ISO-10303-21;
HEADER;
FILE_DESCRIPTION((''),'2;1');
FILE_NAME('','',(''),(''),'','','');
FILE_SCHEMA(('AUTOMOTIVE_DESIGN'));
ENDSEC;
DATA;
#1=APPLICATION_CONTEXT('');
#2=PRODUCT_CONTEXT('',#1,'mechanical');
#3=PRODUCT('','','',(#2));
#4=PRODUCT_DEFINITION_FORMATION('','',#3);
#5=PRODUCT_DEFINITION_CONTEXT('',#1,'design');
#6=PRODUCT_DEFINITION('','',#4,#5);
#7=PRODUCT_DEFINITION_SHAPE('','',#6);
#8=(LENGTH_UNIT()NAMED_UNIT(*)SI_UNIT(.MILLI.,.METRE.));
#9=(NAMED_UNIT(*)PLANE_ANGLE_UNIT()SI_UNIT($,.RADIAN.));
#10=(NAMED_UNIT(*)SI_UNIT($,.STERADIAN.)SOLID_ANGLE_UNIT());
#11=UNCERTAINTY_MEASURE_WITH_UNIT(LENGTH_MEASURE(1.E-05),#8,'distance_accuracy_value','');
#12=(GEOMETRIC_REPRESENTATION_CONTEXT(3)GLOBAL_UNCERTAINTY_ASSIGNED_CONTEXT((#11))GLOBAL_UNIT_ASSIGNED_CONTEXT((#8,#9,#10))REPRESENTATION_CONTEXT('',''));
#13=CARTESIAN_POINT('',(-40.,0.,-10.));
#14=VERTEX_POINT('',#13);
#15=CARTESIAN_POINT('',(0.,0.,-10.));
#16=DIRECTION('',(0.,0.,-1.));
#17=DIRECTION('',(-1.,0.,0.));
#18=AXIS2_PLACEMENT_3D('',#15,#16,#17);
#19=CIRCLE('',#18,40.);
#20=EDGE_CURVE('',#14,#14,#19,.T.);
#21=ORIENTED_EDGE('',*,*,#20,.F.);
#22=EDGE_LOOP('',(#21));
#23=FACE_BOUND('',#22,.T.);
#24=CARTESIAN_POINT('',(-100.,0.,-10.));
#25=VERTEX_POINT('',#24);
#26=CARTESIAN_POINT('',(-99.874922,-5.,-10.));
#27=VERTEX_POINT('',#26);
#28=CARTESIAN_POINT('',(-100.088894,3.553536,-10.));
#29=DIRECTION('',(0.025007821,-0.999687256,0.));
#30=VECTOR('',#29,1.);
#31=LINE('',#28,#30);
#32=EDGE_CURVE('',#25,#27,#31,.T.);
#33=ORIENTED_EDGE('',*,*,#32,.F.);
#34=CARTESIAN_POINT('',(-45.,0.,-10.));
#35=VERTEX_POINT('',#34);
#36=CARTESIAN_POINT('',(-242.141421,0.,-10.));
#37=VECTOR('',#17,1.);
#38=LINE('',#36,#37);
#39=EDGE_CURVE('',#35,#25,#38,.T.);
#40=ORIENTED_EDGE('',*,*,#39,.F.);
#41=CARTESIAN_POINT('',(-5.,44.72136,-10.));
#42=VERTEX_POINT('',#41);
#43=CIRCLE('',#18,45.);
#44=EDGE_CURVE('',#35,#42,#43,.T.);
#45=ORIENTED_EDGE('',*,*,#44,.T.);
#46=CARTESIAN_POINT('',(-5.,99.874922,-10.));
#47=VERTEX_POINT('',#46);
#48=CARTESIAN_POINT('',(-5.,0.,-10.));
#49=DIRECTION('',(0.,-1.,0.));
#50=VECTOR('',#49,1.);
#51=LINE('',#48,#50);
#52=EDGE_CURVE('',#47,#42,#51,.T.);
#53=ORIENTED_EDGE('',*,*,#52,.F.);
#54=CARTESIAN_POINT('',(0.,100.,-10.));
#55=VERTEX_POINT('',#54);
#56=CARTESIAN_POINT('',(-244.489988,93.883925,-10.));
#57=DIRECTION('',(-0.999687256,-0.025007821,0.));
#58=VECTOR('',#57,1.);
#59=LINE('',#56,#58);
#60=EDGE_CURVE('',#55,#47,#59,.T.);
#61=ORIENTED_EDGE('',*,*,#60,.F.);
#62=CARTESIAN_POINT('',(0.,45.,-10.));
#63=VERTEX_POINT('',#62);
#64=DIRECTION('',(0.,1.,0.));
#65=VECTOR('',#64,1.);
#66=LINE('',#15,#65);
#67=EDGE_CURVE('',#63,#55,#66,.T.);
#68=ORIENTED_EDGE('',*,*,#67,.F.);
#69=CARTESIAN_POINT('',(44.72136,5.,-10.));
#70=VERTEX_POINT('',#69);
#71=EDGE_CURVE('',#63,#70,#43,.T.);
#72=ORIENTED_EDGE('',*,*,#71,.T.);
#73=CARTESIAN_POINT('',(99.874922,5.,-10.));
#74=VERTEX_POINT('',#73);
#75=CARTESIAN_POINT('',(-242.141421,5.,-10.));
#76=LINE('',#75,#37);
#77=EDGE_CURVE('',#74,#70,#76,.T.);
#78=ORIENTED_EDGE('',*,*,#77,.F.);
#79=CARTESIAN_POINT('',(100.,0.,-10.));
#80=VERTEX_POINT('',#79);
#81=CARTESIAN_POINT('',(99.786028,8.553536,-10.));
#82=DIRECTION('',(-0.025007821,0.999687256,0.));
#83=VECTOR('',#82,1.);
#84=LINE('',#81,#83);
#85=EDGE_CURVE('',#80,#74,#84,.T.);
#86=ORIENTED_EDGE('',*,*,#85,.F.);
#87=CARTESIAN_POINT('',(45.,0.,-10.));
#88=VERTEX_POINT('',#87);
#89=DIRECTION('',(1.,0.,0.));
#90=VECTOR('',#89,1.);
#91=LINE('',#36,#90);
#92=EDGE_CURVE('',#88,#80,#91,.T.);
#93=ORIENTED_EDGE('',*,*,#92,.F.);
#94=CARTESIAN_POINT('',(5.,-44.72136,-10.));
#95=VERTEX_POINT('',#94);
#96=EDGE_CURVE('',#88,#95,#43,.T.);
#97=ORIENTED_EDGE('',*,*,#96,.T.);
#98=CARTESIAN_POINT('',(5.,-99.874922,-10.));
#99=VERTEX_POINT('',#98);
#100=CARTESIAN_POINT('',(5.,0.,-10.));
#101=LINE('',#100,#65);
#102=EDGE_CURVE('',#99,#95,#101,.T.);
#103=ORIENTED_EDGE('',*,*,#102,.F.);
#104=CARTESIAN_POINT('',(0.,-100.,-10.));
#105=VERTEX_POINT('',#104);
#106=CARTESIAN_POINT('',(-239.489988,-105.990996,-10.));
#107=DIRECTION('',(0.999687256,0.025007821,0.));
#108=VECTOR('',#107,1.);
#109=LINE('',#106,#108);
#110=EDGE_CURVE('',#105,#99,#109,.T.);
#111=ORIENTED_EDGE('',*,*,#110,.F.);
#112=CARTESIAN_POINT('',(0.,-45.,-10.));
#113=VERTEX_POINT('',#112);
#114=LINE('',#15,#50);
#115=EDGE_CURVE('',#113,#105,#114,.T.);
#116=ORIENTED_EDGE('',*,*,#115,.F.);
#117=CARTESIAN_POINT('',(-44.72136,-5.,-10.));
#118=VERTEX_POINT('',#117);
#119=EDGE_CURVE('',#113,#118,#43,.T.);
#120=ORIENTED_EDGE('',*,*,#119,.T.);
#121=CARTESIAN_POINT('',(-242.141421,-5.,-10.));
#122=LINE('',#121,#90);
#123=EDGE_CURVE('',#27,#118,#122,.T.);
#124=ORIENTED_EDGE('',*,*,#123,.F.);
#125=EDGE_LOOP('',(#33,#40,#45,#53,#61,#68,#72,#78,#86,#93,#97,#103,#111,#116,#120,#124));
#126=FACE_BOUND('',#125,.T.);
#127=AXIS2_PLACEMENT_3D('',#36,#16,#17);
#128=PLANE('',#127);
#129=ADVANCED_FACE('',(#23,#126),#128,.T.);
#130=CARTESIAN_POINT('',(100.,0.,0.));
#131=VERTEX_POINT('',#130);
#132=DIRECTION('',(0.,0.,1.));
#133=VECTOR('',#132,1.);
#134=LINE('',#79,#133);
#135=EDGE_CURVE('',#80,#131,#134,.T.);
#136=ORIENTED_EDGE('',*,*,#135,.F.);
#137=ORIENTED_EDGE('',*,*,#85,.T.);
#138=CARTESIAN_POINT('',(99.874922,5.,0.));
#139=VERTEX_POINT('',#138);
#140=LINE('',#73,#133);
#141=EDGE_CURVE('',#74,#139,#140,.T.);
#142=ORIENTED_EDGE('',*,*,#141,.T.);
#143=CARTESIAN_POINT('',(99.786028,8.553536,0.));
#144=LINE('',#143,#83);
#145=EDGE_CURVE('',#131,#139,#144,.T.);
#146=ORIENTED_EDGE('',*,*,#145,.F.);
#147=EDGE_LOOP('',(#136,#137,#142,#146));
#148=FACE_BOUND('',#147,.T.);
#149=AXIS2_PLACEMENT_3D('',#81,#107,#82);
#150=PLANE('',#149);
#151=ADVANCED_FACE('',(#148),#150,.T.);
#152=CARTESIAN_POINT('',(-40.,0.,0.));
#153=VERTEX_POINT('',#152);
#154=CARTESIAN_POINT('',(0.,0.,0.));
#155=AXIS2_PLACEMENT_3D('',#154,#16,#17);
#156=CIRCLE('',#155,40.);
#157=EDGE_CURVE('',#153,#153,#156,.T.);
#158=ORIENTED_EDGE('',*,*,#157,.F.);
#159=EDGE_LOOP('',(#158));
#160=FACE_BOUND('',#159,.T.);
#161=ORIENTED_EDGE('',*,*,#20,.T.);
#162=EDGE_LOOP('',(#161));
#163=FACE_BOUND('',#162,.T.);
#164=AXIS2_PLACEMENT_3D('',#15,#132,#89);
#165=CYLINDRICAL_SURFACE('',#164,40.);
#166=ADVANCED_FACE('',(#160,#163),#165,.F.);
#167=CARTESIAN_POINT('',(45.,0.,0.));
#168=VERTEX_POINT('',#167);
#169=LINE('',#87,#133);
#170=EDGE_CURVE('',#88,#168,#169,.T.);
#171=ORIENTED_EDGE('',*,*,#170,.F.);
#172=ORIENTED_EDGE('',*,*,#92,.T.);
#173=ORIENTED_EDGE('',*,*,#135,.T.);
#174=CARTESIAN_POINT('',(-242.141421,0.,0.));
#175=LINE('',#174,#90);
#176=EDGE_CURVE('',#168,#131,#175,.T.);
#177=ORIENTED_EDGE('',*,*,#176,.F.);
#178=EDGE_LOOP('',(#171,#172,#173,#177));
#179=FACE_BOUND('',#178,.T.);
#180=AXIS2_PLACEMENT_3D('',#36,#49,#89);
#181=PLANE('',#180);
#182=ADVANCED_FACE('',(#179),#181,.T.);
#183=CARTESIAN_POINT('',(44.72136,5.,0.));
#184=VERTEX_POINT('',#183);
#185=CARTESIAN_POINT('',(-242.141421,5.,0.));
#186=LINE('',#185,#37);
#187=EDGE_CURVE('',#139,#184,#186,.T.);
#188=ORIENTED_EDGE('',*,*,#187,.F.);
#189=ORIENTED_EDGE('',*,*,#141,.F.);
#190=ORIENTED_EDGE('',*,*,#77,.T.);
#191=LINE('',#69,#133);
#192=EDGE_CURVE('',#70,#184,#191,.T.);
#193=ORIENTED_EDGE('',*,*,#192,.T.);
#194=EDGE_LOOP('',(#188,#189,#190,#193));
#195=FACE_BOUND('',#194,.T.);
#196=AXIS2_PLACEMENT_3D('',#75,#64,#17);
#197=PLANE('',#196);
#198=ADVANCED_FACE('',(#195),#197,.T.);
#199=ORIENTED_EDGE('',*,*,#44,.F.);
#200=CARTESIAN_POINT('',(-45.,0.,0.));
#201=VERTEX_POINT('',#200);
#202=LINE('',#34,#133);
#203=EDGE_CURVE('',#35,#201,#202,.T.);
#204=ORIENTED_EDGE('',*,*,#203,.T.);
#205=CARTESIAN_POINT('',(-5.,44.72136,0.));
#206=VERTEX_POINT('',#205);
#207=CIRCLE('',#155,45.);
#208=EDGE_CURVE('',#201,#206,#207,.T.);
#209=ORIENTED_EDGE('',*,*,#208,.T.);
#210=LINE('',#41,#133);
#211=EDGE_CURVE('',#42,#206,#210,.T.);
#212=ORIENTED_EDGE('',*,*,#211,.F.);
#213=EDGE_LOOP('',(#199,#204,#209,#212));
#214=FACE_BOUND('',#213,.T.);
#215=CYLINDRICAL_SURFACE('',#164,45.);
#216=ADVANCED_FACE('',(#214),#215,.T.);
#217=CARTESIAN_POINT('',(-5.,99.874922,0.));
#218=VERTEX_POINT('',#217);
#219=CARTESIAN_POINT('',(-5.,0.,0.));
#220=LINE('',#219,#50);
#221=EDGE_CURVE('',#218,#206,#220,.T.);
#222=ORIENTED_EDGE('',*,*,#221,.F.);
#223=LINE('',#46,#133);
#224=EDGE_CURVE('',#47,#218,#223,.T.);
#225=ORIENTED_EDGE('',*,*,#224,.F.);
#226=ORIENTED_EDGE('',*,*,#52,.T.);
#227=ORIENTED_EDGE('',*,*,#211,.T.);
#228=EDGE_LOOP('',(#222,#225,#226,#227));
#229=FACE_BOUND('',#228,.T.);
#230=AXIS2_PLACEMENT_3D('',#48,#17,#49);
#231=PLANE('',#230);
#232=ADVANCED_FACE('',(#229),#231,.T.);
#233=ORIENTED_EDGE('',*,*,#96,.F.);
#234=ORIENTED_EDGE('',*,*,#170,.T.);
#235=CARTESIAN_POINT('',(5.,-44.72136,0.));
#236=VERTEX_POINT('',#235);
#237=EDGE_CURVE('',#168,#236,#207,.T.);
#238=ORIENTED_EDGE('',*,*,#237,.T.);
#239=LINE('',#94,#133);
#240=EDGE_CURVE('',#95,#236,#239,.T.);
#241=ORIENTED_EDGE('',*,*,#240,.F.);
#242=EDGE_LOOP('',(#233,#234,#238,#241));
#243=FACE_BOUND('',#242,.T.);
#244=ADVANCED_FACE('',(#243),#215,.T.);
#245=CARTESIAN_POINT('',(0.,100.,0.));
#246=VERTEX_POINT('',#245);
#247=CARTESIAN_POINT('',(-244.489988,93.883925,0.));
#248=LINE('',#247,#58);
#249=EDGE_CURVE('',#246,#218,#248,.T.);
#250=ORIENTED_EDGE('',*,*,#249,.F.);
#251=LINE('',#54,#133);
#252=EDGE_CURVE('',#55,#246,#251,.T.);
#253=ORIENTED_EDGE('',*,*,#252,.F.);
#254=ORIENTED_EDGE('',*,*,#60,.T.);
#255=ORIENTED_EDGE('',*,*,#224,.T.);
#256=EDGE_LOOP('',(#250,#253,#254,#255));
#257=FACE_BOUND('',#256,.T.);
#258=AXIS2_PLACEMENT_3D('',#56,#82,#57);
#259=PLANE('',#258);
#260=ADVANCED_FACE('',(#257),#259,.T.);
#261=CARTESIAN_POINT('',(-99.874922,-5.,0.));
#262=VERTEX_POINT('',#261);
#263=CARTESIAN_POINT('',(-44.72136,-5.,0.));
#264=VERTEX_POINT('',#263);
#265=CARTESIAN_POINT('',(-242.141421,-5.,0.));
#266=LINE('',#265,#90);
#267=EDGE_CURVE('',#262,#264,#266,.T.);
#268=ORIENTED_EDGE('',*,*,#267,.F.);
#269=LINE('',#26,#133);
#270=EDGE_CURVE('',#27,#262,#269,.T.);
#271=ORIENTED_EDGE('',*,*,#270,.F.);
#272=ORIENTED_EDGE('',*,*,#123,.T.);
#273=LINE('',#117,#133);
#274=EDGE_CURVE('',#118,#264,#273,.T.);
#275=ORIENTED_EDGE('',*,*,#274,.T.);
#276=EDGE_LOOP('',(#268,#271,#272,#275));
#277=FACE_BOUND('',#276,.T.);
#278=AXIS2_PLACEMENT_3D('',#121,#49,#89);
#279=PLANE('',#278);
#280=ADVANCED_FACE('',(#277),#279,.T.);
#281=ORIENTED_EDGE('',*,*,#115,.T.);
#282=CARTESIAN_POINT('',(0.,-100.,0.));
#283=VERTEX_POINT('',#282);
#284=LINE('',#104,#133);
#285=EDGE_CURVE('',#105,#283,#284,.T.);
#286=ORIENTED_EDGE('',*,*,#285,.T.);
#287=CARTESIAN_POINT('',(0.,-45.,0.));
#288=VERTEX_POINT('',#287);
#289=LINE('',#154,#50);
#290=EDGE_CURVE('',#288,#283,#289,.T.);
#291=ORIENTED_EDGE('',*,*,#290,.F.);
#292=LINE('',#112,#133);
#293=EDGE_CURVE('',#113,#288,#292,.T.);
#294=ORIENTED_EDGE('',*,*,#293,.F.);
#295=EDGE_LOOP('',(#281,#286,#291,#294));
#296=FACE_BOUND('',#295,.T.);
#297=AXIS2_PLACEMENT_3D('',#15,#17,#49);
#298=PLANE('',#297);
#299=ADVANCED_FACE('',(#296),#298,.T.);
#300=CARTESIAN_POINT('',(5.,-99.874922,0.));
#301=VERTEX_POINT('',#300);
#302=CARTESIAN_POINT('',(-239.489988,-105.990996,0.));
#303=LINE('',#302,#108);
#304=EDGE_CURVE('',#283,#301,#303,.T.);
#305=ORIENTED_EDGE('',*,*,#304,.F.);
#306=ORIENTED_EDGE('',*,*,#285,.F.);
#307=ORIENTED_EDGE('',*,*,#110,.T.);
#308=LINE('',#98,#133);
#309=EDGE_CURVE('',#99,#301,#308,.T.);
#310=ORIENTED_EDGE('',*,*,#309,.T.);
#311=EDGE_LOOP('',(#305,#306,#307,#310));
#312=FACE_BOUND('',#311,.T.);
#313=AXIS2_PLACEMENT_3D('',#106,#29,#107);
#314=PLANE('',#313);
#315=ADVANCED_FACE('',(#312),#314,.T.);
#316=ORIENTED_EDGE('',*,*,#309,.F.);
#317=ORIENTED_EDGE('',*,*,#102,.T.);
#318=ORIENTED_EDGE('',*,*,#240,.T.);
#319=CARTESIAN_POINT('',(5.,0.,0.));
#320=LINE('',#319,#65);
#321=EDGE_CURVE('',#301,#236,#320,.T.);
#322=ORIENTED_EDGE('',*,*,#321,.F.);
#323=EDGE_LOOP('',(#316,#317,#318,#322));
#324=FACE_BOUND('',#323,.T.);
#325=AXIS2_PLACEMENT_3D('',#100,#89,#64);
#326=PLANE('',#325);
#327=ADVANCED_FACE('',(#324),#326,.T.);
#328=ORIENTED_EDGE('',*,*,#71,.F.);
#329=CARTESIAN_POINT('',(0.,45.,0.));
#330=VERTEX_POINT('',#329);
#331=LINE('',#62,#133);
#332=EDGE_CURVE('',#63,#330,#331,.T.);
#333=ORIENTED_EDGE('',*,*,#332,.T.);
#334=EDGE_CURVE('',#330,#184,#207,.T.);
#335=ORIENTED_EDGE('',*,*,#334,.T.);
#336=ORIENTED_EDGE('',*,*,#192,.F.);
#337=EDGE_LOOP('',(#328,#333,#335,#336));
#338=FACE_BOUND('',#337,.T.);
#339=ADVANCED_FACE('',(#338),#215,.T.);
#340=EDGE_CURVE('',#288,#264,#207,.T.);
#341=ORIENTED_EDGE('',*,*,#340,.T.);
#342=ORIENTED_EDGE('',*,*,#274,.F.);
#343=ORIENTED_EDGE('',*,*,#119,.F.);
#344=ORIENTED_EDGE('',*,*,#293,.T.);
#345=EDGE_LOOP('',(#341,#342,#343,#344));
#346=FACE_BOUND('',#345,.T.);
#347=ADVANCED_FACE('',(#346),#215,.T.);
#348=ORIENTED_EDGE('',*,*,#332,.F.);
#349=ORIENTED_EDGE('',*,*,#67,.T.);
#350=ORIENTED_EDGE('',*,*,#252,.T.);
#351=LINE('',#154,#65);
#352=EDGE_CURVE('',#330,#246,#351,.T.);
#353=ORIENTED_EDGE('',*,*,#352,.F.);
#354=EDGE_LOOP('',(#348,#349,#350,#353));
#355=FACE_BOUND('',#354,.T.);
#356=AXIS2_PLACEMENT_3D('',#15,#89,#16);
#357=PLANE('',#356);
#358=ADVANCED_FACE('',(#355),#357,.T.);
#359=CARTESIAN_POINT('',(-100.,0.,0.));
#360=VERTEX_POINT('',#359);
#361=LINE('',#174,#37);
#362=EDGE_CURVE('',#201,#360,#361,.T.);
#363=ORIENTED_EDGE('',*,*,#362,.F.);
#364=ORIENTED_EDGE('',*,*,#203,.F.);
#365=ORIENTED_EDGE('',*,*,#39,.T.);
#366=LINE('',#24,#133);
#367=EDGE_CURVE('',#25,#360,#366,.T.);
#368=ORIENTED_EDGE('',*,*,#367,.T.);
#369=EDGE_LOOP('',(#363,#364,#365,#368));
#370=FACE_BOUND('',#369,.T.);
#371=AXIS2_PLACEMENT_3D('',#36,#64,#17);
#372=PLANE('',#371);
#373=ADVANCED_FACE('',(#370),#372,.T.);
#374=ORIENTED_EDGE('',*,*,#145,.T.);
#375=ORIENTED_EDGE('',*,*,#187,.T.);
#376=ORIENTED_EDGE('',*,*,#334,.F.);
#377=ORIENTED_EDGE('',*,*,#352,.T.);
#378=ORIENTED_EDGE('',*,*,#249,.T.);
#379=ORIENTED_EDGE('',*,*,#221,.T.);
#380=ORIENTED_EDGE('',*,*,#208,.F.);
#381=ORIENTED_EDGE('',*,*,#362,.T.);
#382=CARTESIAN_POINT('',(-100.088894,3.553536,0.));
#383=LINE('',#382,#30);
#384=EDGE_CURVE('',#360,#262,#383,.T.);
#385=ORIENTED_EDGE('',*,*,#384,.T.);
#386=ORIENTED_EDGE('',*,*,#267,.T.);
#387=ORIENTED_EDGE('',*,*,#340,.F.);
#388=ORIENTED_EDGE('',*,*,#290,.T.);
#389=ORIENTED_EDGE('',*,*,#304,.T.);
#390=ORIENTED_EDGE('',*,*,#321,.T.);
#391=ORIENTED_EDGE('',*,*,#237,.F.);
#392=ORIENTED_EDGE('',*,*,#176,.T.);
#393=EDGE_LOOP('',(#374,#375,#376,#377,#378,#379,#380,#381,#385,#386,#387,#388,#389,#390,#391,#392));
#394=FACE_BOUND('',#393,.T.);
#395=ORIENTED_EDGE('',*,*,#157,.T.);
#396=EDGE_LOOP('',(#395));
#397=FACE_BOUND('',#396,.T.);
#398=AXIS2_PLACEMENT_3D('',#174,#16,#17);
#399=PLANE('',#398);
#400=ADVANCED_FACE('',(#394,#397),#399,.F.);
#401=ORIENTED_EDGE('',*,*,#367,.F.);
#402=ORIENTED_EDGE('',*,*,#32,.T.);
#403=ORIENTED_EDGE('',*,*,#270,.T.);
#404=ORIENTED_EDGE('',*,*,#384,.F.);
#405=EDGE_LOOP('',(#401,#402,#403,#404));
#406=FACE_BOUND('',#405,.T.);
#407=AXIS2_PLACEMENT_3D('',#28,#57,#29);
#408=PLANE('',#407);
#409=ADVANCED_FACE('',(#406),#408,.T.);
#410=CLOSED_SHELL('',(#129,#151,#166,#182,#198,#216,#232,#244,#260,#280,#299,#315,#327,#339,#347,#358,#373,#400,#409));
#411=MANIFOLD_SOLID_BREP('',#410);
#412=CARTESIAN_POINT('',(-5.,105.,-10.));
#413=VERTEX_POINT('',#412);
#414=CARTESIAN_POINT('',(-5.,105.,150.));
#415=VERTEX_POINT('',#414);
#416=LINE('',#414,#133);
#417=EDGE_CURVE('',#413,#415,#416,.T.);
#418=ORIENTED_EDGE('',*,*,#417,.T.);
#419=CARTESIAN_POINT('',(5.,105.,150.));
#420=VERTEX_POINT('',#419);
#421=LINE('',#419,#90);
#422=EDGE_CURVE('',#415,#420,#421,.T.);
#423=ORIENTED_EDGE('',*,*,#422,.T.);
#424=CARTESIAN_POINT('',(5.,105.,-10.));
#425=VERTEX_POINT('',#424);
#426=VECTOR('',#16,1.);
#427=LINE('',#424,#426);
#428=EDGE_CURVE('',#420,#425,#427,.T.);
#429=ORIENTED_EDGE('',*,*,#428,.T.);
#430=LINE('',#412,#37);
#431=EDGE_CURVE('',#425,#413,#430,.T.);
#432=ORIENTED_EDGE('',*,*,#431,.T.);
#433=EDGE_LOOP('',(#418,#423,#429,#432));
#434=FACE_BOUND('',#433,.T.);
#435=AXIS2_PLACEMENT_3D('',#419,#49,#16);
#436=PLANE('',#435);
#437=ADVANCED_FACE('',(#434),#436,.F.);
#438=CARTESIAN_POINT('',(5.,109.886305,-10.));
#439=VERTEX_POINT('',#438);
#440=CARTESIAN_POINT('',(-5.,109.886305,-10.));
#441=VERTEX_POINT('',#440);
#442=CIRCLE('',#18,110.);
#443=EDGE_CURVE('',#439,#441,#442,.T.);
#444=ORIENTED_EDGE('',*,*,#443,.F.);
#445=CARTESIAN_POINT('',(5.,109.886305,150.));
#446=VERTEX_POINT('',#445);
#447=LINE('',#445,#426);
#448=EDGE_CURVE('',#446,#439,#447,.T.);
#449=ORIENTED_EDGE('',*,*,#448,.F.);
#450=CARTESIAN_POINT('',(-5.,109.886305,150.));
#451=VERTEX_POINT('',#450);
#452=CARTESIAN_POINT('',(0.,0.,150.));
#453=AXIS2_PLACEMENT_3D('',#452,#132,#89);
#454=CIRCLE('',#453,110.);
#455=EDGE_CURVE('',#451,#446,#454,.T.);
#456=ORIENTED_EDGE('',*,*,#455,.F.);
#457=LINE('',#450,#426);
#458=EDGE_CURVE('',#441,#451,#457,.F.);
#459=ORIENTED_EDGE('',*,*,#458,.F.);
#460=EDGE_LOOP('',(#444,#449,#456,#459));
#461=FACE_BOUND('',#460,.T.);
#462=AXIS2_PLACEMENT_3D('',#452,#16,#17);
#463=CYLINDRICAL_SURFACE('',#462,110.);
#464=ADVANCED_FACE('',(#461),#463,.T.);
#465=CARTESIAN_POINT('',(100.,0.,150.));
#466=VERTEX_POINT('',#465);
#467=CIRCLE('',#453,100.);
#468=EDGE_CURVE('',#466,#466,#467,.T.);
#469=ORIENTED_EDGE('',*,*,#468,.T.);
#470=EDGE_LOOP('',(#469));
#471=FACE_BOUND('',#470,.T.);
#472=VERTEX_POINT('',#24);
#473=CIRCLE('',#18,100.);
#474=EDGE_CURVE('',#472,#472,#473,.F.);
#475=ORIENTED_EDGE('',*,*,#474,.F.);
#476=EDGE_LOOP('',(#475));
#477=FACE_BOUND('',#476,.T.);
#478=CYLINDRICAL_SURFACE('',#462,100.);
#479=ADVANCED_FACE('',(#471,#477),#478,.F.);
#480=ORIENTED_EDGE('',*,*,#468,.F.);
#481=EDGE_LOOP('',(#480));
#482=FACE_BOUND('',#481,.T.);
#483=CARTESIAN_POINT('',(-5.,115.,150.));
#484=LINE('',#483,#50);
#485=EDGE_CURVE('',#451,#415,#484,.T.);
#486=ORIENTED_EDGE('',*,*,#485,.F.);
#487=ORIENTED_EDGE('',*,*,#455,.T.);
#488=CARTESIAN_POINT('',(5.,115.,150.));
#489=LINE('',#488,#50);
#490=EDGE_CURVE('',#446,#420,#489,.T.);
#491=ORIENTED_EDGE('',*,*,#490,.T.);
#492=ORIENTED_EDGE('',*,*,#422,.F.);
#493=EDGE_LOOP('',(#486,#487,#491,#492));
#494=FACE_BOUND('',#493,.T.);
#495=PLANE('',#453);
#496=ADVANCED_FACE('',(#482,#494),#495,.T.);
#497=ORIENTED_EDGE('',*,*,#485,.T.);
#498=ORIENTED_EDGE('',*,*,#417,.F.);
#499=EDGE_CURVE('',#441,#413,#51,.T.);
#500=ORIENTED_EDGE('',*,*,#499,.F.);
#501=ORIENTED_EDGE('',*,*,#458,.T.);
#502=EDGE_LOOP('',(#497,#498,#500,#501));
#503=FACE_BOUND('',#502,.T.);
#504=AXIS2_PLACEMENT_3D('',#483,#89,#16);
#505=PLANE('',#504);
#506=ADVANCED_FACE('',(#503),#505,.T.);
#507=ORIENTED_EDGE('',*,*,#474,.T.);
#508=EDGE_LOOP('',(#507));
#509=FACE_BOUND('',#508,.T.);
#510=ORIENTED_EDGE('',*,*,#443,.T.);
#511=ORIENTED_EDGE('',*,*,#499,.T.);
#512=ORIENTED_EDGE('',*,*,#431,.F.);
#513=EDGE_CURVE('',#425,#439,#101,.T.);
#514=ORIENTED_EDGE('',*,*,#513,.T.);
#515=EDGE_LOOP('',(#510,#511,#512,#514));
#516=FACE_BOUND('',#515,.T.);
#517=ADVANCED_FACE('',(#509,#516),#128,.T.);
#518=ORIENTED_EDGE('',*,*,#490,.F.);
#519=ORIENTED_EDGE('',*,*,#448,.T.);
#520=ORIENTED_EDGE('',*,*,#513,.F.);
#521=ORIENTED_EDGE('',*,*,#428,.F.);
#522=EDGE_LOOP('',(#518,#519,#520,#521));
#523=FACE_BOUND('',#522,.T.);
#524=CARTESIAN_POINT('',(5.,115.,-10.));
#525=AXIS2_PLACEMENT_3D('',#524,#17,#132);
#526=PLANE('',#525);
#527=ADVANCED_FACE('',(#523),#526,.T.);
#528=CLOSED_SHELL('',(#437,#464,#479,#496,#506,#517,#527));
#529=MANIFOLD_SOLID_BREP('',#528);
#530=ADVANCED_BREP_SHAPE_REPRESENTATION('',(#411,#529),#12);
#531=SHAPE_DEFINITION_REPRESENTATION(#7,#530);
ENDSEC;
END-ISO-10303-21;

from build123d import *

# Parameters (mm, degrees)
SKETCH1_R           = 110
SKETCH1_R_2         = 100
BOSS_EXTRUDE1_DEPTH = 150
SKETCH2_R           = 110
SKETCH2_R_2         = 40
BOSS_EXTRUDE2_DEPTH = 10
SKETCH4_W           = 10
SKETCH4_H           = 160
CUT_EXTRUDE1_DEPTH  = 10


with BuildPart() as part:
    # Sketch1 → Boss-Extrude1 (new body)
    with BuildSketch(Plane.XY):
        Circle(SKETCH1_R)
        Circle(SKETCH1_R_2, mode=Mode.SUBTRACT)
    extrude(amount=BOSS_EXTRUDE1_DEPTH)

    # Sketch2 → Boss-Extrude2 (add)
    with BuildSketch(Plane(origin=(0, 0, 0), x_dir=(-1, 0, 0), z_dir=(0, 0, -1))):
        Circle(SKETCH2_R)
        with BuildLine():
            ThreePointArc((-99.874921777, 5), (-68.92024376, 72.456883731), (0, 100))
            ThreePointArc((0, 100), (2.500782106, 99.968725554), (5, 99.874921777))
            ThreePointArc((5, 99.874921777), (72.456883731, 68.92024376), (100, 0))
            ThreePointArc((100, 0), (99.968725554, -2.500782106), (99.874921777, -5))
            ThreePointArc((99.874921777, -5), (68.92024376, -72.456883731), (0, -100))
            ThreePointArc((0, -100), (-2.500782106, -99.968725554), (-5, -99.874921777))
            ThreePointArc((-5, -99.874921777), (-72.456883731, -68.92024376), (-100, 0))
            ThreePointArc((-100, 0), (-99.968725554, 2.500782106), (-99.874921777, 5))
        make_face(mode=Mode.SUBTRACT)
        with BuildLine():
            ThreePointArc((-45, 0), (-33.541019662, -30), (-5, -44.72135955))
            Line((-5, -44.72135955), (-5, -99.874921777))
            Line((-5, -99.874921777), (0, -100))
            Line((0, -100), (0, -45))
            ThreePointArc((0, -45), (30, -33.541019662), (44.72135955, -5))
            Line((44.72135955, -5), (99.874921777, -5))
            Line((99.874921777, -5), (100, 0))
            Line((100, 0), (45, 0))
            ThreePointArc((45, 0), (33.541019662, 30), (5, 44.72135955))
            Line((5, 44.72135955), (5, 99.874921777))
            Line((5, 99.874921777), (0, 100))
            Line((0, 100), (0, 45))
            ThreePointArc((0, 45), (-30, 33.541019662), (-44.72135955, 5))
            Line((-44.72135955, 5), (-99.874921777, 5))
            Line((-99.874921777, 5), (-100, 0))
            Line((-100, 0), (-45, 0))
        make_face()
        Circle(SKETCH2_R_2, mode=Mode.SUBTRACT)
    extrude(amount=BOSS_EXTRUDE2_DEPTH)


with BuildPart() as boss_extrude2_piece_1:
    # of the separate pieces the step leaves, piece 1, a body of its own (boss_extrude2_pieces)
    add(part.part.solids().sort_by_distance((110, 0, 0))[0])

    # Sketch4 → Cut-Extrude1 (cut)
    with BuildSketch(Plane(origin=(0, 105, 0), x_dir=(-1, 0, 0), z_dir=(0, 1, 0))):
        with Locations((0, 70)):
            Rectangle(SKETCH4_W, SKETCH4_H)
    extrude(amount=CUT_EXTRUDE1_DEPTH, mode=Mode.SUBTRACT)


with BuildPart() as boss_extrude2_piece_2:
    # of the separate pieces the step leaves, piece 2, a body of its own (boss_extrude2_pieces)
    add(part.part.solids().sort_by_distance((5, -44.72135955, 0))[0])


solid = Compound([boss_extrude2_piece_1.part, boss_extrude2_piece_2.part])
